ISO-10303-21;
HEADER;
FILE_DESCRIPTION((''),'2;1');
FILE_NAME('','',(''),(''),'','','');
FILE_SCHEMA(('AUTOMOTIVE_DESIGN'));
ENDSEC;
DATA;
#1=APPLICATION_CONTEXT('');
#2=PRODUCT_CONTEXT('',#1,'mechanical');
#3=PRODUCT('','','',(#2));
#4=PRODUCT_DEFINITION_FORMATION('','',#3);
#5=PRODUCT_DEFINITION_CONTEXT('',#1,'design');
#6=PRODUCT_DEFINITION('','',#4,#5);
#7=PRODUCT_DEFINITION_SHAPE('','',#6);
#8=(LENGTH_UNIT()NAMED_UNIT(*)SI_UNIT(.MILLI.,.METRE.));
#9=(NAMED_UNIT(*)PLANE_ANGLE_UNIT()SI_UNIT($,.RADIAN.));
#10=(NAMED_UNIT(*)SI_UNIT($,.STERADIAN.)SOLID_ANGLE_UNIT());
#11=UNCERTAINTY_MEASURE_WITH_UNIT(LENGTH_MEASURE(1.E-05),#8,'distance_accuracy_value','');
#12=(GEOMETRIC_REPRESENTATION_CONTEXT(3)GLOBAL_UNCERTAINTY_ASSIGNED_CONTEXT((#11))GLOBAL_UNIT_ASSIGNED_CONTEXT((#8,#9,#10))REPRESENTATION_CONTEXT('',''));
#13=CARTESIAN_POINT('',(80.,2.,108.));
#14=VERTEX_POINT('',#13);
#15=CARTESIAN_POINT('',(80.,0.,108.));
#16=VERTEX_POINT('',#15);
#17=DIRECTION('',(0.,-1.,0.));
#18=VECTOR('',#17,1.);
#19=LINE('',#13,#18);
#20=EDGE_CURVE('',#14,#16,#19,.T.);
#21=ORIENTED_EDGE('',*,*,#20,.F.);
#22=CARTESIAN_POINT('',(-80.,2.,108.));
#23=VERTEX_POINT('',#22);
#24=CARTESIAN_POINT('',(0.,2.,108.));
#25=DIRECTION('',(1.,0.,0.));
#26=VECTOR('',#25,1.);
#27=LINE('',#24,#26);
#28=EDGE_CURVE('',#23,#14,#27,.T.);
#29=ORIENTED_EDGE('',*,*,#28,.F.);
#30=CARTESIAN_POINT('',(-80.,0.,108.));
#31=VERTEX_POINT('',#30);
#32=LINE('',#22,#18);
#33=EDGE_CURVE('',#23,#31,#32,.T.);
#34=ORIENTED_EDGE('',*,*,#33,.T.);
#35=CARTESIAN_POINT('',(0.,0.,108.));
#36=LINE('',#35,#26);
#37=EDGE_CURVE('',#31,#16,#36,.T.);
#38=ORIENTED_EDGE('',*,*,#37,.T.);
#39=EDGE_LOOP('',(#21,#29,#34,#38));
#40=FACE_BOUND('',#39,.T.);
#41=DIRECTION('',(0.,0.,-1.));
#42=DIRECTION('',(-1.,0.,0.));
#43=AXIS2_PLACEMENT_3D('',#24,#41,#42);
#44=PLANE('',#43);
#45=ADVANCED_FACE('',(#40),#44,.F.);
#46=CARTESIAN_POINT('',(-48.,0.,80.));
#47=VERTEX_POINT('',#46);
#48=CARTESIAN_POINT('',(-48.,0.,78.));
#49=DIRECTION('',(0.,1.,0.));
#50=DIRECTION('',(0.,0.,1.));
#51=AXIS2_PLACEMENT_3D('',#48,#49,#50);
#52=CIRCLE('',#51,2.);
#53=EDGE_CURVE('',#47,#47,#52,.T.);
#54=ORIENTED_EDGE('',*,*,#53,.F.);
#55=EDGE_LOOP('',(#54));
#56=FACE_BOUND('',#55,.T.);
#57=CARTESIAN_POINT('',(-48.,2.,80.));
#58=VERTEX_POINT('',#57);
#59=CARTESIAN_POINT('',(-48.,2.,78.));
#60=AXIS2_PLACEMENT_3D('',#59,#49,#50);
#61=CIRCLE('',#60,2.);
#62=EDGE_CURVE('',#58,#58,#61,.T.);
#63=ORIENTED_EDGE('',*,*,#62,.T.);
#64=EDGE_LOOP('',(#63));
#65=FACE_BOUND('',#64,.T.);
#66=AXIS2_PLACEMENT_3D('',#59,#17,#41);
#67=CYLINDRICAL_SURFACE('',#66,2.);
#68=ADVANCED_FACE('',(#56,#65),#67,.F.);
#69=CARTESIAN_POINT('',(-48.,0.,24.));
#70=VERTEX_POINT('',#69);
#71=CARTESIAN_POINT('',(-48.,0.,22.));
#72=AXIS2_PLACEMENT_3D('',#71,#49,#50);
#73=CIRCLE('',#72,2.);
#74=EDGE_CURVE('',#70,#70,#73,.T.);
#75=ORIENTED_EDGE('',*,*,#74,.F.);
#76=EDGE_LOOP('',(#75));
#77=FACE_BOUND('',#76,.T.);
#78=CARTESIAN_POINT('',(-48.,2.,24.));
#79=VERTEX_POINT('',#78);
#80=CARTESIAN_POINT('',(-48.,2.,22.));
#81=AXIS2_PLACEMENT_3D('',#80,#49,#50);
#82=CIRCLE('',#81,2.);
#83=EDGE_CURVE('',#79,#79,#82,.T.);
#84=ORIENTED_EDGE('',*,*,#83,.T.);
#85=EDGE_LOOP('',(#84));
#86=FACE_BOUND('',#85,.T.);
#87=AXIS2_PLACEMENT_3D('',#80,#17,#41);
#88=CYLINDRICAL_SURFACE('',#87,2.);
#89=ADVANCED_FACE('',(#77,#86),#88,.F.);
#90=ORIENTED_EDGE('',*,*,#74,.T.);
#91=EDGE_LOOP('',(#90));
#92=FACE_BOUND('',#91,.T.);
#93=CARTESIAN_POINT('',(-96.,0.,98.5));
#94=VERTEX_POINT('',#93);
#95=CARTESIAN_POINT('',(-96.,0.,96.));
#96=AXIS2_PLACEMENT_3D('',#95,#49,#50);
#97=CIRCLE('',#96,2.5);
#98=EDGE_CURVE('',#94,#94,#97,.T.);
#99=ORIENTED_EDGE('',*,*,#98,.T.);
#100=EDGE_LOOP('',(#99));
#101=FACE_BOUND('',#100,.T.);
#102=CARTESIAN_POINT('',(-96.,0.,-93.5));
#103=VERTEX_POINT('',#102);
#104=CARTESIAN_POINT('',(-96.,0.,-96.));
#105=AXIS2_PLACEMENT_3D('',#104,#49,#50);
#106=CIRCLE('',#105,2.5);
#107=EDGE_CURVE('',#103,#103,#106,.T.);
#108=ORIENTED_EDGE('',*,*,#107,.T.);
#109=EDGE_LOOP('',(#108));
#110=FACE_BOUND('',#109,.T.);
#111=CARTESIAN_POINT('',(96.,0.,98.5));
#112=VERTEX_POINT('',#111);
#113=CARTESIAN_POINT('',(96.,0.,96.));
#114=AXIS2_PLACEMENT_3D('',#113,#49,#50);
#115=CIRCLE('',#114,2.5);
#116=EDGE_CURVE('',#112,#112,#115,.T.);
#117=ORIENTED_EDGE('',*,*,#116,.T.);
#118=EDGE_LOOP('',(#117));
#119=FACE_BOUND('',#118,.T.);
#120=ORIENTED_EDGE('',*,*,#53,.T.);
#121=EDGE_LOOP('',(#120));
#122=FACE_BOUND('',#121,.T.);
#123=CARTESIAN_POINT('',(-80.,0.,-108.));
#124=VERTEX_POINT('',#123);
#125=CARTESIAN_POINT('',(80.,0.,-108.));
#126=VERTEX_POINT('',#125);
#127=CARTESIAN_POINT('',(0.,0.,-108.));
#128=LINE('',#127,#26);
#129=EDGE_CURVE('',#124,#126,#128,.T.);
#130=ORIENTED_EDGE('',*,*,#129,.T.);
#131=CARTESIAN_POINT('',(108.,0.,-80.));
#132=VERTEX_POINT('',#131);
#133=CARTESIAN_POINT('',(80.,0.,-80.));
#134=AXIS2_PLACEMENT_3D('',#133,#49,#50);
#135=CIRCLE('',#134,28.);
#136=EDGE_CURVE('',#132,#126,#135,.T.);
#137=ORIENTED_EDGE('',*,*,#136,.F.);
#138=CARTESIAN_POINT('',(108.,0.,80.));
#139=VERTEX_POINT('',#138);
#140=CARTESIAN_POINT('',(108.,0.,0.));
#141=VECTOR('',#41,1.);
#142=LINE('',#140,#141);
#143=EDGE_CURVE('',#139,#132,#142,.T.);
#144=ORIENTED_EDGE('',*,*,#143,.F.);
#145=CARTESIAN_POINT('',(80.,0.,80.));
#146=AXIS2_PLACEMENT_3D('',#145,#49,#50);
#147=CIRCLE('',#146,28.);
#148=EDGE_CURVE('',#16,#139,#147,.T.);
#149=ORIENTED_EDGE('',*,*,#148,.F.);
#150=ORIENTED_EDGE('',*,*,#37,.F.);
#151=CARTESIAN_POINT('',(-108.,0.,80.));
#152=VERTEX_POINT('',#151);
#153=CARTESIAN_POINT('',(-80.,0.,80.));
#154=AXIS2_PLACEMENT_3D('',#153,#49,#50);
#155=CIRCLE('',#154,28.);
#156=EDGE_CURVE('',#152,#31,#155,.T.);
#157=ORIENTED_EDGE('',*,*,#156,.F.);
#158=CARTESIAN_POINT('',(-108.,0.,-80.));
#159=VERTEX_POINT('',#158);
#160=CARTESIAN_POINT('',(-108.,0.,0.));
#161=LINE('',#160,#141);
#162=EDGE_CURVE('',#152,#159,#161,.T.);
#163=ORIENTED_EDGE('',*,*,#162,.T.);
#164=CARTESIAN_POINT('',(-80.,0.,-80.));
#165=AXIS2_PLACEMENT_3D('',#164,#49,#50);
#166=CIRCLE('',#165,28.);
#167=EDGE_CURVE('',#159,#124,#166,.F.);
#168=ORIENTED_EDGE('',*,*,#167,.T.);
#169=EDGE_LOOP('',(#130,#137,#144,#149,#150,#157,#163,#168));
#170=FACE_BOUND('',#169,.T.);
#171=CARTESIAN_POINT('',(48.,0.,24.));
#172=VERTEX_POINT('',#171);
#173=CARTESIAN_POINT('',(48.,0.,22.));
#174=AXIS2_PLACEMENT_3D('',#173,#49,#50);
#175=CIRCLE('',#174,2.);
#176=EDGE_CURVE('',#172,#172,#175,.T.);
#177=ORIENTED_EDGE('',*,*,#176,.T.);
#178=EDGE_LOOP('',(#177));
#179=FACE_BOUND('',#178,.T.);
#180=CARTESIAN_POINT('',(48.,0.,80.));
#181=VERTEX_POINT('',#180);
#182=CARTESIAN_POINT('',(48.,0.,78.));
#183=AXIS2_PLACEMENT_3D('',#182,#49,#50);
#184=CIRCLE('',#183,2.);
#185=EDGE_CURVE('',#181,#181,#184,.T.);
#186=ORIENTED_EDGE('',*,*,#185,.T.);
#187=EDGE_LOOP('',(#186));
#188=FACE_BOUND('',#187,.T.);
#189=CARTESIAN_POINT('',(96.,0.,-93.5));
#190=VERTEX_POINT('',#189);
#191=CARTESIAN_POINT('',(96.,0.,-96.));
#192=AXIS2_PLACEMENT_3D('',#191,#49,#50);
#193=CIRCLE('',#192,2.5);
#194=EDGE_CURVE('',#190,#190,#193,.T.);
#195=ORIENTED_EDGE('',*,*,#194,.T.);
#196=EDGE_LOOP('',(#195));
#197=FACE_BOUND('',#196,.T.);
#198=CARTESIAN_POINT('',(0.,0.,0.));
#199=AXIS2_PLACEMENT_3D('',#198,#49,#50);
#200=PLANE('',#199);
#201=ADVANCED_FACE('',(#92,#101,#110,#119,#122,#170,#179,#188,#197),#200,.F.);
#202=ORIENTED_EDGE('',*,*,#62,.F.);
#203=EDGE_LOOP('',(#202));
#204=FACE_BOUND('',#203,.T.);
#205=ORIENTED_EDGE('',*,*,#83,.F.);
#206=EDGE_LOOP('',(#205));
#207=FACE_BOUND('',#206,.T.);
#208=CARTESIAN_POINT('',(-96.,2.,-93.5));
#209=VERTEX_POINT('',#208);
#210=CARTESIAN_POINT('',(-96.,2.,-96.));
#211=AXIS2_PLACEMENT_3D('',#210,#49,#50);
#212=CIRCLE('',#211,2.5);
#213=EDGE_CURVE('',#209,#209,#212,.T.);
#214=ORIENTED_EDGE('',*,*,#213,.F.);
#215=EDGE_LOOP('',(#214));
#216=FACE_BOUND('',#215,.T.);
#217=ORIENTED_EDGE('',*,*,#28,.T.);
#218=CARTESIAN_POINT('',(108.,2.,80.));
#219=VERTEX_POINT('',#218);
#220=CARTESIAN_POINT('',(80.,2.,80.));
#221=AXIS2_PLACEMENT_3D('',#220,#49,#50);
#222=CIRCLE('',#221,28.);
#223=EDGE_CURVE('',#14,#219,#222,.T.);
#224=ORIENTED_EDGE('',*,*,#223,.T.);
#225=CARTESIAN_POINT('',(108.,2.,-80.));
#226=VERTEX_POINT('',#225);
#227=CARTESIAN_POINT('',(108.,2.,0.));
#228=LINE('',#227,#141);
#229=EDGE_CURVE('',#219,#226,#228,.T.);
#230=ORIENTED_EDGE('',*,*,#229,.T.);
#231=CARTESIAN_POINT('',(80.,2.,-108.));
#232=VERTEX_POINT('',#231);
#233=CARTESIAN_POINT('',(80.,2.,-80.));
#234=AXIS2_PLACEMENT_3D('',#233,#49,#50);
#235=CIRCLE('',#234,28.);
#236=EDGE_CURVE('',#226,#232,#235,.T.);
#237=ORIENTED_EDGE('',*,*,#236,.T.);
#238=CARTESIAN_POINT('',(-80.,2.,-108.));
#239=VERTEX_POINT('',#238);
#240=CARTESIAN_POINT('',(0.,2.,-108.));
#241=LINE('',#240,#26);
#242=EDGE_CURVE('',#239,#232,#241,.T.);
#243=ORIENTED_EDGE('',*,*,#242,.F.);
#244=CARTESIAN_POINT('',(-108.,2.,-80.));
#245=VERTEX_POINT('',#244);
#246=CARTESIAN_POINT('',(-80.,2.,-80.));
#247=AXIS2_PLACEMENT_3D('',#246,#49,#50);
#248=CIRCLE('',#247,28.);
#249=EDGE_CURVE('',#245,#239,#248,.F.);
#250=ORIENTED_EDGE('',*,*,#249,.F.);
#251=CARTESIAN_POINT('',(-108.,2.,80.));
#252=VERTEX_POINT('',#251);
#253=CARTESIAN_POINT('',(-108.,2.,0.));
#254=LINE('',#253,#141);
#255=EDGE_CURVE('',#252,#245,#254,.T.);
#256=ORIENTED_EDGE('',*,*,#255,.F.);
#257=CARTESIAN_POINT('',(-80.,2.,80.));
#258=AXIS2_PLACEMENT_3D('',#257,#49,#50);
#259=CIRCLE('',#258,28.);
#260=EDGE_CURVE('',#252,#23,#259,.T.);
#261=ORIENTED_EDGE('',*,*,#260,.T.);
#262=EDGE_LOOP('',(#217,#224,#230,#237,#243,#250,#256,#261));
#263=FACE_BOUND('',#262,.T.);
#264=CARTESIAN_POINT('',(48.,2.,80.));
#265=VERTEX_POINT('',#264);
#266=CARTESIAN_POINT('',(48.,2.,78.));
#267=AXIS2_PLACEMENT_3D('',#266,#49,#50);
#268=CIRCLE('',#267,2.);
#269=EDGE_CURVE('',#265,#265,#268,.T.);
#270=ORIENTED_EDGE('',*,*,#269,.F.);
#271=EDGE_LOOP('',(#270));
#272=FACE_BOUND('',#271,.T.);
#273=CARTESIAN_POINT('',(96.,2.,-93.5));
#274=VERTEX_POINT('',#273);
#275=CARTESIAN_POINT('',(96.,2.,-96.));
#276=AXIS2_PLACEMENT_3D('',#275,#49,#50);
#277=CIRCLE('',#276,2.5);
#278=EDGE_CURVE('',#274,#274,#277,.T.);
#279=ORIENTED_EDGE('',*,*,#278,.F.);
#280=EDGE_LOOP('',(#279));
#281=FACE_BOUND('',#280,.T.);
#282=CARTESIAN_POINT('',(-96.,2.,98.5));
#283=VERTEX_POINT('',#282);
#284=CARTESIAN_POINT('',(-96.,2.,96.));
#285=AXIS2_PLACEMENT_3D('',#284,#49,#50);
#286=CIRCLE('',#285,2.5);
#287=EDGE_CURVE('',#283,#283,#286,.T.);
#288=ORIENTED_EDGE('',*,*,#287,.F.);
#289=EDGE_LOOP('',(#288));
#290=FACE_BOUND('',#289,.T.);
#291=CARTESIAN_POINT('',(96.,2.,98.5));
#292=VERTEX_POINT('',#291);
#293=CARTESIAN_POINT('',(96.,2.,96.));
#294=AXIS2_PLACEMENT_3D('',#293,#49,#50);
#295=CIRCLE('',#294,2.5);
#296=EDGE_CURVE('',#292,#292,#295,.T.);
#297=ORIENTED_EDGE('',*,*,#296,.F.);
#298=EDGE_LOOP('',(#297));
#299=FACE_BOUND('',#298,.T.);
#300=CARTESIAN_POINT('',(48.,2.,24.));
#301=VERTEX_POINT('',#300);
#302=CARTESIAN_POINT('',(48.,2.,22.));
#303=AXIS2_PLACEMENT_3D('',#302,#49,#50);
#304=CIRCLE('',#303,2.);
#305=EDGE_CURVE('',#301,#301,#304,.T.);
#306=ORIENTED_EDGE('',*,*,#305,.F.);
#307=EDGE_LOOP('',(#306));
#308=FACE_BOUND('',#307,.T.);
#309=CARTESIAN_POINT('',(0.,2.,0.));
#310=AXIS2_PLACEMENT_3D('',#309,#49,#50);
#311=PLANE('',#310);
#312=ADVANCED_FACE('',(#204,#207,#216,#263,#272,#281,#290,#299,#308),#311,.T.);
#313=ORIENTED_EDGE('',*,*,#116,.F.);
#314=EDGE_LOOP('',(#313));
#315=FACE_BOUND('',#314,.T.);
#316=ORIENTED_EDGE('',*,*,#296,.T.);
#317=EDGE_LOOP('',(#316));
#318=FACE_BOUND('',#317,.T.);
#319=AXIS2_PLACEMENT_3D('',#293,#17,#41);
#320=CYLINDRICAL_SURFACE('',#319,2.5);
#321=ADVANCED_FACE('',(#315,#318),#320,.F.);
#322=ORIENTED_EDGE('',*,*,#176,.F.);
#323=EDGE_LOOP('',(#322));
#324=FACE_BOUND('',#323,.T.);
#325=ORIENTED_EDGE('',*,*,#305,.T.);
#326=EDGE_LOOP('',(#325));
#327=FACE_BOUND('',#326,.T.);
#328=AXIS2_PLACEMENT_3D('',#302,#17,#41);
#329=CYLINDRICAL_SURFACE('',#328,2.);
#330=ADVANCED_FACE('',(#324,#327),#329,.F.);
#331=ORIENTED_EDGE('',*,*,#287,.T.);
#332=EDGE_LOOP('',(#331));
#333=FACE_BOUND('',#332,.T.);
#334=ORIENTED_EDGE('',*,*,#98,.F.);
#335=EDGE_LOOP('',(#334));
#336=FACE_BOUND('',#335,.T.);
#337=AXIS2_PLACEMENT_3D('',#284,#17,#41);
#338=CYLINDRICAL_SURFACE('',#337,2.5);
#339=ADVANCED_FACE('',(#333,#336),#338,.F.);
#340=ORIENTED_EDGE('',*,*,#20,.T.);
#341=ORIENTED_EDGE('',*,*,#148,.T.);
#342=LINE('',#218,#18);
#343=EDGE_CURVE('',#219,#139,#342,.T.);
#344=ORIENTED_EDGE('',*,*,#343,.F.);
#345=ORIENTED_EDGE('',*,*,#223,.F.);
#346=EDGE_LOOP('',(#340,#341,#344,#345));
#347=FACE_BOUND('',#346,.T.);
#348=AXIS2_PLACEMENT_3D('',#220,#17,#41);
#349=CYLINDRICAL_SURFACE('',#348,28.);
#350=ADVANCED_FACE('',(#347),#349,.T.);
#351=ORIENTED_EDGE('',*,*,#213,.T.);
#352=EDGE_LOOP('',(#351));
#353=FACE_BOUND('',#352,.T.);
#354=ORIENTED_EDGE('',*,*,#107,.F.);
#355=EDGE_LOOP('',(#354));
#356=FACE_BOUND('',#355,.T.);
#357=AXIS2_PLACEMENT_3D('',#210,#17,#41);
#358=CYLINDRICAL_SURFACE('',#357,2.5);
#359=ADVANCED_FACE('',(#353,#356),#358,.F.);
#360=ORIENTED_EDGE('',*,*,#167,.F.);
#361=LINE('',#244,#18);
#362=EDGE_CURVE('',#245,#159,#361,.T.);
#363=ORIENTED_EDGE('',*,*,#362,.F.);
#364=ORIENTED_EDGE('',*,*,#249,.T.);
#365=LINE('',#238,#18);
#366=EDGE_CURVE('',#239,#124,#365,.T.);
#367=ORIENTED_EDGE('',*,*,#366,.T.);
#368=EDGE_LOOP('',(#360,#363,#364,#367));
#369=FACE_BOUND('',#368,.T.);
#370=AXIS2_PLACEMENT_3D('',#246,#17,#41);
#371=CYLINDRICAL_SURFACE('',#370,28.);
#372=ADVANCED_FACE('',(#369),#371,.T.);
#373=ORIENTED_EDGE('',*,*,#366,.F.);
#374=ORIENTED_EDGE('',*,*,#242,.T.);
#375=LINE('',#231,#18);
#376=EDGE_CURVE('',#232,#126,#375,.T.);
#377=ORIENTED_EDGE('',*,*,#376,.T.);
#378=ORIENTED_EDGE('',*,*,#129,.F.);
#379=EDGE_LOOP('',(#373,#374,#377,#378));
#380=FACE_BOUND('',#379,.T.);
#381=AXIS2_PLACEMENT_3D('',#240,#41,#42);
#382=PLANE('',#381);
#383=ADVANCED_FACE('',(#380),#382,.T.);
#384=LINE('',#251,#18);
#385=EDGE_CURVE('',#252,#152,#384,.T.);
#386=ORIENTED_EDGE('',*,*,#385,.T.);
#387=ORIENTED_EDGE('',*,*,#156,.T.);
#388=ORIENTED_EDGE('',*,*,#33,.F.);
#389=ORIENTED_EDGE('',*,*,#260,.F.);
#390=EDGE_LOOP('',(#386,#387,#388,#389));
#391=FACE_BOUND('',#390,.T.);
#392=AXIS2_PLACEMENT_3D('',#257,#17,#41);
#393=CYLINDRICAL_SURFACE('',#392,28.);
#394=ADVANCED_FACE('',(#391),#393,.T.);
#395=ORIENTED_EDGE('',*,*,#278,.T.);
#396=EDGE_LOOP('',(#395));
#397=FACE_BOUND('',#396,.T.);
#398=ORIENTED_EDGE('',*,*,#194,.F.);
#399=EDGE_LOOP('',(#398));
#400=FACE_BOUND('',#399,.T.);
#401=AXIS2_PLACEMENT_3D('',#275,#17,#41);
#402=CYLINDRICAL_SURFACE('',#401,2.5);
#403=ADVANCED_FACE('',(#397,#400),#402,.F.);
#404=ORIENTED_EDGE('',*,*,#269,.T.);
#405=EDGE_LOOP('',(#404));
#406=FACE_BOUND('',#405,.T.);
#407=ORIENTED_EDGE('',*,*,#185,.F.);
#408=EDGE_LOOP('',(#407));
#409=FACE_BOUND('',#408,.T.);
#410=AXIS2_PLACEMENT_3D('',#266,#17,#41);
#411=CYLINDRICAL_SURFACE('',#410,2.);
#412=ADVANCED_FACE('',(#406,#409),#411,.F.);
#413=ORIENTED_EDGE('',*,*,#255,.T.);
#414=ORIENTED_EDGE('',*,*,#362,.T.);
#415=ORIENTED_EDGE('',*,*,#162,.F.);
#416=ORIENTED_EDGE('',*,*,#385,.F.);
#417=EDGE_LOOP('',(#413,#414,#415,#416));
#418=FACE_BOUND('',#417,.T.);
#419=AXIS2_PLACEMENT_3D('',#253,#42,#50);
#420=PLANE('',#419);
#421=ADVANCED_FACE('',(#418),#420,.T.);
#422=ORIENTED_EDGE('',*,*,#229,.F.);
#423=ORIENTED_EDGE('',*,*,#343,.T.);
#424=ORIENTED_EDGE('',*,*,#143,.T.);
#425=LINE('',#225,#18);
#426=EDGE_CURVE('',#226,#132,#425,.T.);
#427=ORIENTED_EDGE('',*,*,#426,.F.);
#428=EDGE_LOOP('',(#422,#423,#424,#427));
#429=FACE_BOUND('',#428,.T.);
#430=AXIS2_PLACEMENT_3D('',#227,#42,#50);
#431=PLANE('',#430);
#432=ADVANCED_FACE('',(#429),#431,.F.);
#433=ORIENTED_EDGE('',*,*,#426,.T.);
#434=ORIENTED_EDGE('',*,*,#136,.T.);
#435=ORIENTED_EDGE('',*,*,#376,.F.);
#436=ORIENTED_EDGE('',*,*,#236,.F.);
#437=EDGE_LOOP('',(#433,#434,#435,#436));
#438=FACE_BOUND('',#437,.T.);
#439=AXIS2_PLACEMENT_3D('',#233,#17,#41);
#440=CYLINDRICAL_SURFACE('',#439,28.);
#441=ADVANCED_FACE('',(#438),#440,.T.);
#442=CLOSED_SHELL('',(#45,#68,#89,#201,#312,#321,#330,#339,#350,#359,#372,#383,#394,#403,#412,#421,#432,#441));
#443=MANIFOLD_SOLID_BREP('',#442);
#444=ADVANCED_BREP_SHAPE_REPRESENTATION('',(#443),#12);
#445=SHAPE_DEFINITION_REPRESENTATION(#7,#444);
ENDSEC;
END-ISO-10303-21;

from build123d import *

# Parameters (mm, degrees)
SKETCH1_R           = 2
SKETCH1_R_2         = 2.5
BOSS_EXTRUDE1_DEPTH = 2


with BuildPart() as part:
    # Sketch1 → Boss-Extrude1 (new body)
    with BuildSketch(Plane(origin=(0, 0, 0), x_dir=(1, 0, 0), z_dir=(0, 1, 0))):
        with BuildLine():
            Line((-80, -108), (80, -108))
            ThreePointArc((80, -108), (99.798989873, -99.798989873), (108, -80))
            Line((108, -80), (108, 80))
            ThreePointArc((108, 80), (99.798989873, 99.798989873), (80, 108))
            Line((80, 108), (-80, 108))
            ThreePointArc((-80, 108), (-99.798989873, 99.798989873), (-108, 80))
            Line((-108, 80), (-108, -80))
            ThreePointArc((-108, -80), (-99.798989873, -99.798989873), (-80, -108))
        make_face()
        with Locations(Location((-48, -22, 0), (0, 0, 270))):
            Circle(SKETCH1_R, mode=Mode.SUBTRACT)
        with Locations(Location((-48, -78, 0), (0, 0, 270))):
            Circle(SKETCH1_R, mode=Mode.SUBTRACT)
        with Locations(Location((48, -78, 0), (0, 0, 270))):
            Circle(SKETCH1_R, mode=Mode.SUBTRACT)
        with Locations(Location((48, -22, 0), (0, 0, 270))):
            Circle(SKETCH1_R, mode=Mode.SUBTRACT)
        with Locations(Location((-96, 96, 0), (0, 0, 270))):
            Circle(SKETCH1_R_2, mode=Mode.SUBTRACT)
        with Locations(Location((96, 96, 0), (0, 0, 270))):
            Circle(SKETCH1_R_2, mode=Mode.SUBTRACT)
        with Locations(Location((96, -96, 0), (0, 0, 270))):
            Circle(SKETCH1_R_2, mode=Mode.SUBTRACT)
        with Locations(Location((-96, -96, 0), (0, 0, 270))):
            Circle(SKETCH1_R_2, mode=Mode.SUBTRACT)
    extrude(amount=BOSS_EXTRUDE1_DEPTH)


solid = part.part
